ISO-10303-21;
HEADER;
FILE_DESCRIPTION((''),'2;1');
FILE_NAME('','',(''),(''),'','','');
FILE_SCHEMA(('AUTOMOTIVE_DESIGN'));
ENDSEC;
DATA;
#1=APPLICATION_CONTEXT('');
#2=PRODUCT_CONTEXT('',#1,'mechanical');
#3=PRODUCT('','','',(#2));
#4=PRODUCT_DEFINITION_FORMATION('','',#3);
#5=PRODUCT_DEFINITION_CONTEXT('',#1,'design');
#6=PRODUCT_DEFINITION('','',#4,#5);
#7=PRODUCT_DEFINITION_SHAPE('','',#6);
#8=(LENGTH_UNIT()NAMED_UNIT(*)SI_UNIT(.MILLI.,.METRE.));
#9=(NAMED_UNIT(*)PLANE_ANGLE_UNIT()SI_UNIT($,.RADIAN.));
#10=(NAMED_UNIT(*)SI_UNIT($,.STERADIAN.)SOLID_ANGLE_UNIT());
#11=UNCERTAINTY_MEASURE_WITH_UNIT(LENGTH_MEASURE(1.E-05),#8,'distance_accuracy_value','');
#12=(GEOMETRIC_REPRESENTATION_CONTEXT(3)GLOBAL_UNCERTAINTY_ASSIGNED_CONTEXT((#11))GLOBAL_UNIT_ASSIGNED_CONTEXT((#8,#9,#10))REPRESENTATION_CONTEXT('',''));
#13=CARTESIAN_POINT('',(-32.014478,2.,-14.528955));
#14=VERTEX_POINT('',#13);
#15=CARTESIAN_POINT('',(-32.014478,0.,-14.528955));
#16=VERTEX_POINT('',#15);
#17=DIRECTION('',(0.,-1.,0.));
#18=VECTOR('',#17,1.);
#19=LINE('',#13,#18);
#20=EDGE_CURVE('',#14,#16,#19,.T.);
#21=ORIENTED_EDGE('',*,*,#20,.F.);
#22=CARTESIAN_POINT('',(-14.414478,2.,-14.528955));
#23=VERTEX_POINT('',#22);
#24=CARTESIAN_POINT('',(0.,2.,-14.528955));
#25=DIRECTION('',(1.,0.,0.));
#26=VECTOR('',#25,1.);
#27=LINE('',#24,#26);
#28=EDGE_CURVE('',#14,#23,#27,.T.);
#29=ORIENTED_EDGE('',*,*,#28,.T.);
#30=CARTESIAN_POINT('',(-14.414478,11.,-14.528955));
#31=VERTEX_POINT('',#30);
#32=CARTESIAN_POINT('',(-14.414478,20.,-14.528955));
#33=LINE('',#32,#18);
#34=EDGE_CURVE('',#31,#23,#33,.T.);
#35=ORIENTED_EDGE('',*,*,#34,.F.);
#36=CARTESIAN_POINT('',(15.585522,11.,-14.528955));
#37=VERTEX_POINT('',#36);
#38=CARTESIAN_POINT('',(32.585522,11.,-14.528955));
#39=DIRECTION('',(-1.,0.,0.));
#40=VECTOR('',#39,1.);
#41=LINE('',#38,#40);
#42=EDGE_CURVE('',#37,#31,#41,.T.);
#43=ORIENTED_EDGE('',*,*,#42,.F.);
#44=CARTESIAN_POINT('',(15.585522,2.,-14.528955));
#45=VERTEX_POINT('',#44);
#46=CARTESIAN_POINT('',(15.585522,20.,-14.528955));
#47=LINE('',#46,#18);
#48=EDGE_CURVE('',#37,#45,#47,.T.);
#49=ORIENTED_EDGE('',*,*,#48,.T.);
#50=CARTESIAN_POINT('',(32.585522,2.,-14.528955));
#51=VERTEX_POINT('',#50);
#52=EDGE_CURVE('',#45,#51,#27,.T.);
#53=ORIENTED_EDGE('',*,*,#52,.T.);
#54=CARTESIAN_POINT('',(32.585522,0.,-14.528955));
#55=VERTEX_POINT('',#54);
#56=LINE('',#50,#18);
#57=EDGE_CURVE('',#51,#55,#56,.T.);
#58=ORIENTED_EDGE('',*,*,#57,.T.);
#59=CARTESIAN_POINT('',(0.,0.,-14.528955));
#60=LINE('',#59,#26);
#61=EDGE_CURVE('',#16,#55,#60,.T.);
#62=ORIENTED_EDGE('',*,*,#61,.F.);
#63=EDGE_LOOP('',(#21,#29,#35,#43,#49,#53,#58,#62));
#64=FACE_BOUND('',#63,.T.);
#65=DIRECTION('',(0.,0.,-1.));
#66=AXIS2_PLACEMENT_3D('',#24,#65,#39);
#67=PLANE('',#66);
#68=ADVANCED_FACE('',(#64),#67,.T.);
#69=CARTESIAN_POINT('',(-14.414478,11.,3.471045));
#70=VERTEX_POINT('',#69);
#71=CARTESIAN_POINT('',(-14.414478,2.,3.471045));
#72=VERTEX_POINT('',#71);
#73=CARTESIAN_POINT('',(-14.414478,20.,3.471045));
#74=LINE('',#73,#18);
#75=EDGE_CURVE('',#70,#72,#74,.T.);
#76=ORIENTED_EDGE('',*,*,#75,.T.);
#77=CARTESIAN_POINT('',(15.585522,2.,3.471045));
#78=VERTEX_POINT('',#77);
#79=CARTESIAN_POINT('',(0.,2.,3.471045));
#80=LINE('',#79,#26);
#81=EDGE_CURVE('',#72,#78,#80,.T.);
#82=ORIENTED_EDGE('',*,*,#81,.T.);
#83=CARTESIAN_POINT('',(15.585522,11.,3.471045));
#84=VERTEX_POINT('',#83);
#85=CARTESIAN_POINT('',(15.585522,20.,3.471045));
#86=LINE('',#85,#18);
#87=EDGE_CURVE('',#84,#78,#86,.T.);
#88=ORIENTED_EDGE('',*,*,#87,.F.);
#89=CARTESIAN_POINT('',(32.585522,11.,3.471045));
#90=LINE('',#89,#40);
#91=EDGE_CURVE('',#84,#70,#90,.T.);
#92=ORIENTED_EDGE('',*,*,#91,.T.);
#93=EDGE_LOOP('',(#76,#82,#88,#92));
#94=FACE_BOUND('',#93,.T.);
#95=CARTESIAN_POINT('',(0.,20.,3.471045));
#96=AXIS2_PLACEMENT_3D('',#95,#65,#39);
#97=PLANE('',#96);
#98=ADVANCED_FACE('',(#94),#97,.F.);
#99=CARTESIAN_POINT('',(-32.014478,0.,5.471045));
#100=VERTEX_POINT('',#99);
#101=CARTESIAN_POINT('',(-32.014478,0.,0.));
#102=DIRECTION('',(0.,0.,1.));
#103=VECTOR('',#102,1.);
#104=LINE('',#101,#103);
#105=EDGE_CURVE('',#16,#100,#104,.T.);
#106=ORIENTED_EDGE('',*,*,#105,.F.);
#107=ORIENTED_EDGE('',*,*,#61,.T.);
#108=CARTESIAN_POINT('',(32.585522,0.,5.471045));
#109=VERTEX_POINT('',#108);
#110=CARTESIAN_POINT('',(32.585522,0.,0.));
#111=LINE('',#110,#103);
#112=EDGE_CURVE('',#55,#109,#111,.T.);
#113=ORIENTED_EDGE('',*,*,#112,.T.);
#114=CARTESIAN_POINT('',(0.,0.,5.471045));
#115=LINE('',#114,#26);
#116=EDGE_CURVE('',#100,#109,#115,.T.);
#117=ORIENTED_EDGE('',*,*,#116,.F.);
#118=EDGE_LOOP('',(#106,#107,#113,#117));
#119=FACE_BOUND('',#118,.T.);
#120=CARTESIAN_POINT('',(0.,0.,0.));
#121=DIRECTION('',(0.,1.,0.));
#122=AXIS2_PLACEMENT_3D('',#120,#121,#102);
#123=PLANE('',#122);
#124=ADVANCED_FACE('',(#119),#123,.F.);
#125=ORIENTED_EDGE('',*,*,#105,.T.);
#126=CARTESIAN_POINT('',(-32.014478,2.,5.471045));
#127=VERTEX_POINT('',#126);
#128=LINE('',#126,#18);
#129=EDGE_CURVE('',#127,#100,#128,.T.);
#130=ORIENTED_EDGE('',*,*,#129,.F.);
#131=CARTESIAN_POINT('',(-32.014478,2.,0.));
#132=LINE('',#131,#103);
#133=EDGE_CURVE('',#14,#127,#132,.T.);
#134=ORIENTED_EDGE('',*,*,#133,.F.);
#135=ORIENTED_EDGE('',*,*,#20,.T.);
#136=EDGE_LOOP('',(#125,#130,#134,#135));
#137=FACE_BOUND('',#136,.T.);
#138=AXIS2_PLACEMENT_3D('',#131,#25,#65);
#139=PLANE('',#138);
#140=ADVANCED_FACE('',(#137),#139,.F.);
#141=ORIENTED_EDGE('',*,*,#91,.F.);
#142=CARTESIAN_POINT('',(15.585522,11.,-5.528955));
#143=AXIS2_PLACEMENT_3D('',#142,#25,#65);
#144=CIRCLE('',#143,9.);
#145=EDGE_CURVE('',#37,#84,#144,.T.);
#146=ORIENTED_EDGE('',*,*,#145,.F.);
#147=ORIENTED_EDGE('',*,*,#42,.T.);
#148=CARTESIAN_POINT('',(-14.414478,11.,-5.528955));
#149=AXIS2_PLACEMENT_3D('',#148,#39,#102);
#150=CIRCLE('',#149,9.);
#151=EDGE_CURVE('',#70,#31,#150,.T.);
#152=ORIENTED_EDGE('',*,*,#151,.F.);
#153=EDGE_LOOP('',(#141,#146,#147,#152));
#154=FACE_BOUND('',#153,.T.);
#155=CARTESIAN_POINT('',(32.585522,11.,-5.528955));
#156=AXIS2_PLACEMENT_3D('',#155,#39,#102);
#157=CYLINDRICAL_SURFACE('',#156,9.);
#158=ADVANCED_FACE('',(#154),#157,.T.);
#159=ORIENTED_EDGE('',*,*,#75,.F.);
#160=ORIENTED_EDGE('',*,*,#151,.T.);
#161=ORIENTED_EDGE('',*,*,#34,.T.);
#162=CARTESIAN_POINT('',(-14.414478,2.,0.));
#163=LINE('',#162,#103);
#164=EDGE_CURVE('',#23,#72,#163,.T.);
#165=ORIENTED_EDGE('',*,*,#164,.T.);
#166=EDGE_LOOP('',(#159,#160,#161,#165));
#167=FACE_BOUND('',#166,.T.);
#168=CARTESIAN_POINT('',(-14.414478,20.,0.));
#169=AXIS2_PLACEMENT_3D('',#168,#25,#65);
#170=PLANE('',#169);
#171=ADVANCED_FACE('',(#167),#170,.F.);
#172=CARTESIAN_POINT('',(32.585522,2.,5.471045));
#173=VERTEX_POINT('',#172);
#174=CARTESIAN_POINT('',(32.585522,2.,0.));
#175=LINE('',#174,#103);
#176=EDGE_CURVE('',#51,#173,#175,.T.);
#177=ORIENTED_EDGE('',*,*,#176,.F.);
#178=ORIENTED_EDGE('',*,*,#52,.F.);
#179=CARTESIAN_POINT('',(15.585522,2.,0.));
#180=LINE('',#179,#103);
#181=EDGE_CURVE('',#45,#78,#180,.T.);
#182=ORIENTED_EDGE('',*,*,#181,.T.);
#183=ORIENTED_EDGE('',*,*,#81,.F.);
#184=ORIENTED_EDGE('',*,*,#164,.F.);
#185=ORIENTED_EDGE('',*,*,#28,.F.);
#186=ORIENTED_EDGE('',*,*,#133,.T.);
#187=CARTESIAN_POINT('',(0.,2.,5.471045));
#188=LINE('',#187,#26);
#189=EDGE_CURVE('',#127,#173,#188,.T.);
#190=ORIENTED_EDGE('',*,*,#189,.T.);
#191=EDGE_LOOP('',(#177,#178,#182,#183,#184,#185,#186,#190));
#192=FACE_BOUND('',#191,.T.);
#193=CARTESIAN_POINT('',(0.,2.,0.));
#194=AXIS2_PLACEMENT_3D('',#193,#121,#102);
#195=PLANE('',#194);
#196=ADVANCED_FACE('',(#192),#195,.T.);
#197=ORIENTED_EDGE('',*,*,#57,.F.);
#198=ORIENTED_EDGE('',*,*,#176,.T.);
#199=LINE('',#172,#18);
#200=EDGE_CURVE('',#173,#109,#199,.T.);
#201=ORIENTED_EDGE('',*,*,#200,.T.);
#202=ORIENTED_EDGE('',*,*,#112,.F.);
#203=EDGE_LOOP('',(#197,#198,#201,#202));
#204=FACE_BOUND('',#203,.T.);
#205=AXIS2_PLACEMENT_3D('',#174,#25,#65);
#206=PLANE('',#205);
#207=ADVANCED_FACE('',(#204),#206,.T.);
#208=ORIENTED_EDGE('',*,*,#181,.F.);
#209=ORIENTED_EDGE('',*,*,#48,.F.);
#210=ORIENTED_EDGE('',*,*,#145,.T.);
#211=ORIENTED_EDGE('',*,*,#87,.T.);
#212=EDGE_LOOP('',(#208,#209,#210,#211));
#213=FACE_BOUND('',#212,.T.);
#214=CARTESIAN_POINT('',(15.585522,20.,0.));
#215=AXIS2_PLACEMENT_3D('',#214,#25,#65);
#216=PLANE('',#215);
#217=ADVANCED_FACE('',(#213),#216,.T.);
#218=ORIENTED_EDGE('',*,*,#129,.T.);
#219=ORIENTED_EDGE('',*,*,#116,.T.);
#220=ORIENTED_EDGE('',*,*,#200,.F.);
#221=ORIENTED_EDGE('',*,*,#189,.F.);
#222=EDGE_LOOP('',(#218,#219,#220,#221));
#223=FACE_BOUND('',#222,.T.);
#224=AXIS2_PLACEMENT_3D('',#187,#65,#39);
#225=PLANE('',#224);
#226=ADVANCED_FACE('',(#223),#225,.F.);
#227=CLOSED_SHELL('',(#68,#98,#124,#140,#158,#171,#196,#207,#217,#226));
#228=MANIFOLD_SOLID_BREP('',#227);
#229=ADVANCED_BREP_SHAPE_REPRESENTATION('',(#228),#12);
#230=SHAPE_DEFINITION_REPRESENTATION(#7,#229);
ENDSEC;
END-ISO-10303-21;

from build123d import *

# Parameters (mm, degrees)
BOSS_EXTRUDE1_DEPTH = 2
SKETCH1_3_W         = 30
SKETCH1_3_H         = 18
BOSS_EXTRUDE2_DEPTH = 20
CUT_EXTRUDE1_DEPTH  = 54.104524665


with BuildPart() as part:
    # Sketch1 → Boss-Extrude1 (new body)
    with BuildSketch(Plane(origin=(0, 0, 0), x_dir=(1, 0, 0), z_dir=(0, 1, 0))):
        Polygon((-14.414477612, 14.528955224), (-32.014477612, 14.528955224), (-32.014477612, -5.471044776), (32.585522388, -5.471044776), (32.585522388, 14.528955224), (15.585522388, 14.528955224), (15.585522388, -3.471044776), (-14.414477612, -3.471044776), align=None)
    extrude(amount=BOSS_EXTRUDE1_DEPTH)

    # Sketch1<3> → Boss-Extrude2 (add)
    with BuildSketch(Plane(origin=(0, 0, 0), x_dir=(1, 0, 0), z_dir=(0, 1, 0))):
        with Locations((0.585522388, 5.528955224)):
            Rectangle(SKETCH1_3_W, SKETCH1_3_H)
    extrude(amount=BOSS_EXTRUDE2_DEPTH)

    # Sketch2 → Cut-Extrude1 (cut, through all)
    with BuildSketch(Plane.ZY.offset(14.414477612)):
        with BuildLine():
            Line((-14.528955224, 20), (-14.528955224, 11))
            ThreePointArc((-14.528955224, 11), (-11.892916255, 17.363961031), (-5.528955224, 20))
            Line((-5.528955224, 20), (-14.528955224, 20))
        make_face()
        with BuildLine():
            ThreePointArc((-5.528955224, 20), (0.835005807, 17.363961031), (3.471044776, 11))
            Line((3.471044776, 11), (3.471044776, 20))
            Line((3.471044776, 20), (-5.528955224, 20))
        make_face()
    extrude(amount=-CUT_EXTRUDE1_DEPTH, mode=Mode.SUBTRACT)


solid = part.part
